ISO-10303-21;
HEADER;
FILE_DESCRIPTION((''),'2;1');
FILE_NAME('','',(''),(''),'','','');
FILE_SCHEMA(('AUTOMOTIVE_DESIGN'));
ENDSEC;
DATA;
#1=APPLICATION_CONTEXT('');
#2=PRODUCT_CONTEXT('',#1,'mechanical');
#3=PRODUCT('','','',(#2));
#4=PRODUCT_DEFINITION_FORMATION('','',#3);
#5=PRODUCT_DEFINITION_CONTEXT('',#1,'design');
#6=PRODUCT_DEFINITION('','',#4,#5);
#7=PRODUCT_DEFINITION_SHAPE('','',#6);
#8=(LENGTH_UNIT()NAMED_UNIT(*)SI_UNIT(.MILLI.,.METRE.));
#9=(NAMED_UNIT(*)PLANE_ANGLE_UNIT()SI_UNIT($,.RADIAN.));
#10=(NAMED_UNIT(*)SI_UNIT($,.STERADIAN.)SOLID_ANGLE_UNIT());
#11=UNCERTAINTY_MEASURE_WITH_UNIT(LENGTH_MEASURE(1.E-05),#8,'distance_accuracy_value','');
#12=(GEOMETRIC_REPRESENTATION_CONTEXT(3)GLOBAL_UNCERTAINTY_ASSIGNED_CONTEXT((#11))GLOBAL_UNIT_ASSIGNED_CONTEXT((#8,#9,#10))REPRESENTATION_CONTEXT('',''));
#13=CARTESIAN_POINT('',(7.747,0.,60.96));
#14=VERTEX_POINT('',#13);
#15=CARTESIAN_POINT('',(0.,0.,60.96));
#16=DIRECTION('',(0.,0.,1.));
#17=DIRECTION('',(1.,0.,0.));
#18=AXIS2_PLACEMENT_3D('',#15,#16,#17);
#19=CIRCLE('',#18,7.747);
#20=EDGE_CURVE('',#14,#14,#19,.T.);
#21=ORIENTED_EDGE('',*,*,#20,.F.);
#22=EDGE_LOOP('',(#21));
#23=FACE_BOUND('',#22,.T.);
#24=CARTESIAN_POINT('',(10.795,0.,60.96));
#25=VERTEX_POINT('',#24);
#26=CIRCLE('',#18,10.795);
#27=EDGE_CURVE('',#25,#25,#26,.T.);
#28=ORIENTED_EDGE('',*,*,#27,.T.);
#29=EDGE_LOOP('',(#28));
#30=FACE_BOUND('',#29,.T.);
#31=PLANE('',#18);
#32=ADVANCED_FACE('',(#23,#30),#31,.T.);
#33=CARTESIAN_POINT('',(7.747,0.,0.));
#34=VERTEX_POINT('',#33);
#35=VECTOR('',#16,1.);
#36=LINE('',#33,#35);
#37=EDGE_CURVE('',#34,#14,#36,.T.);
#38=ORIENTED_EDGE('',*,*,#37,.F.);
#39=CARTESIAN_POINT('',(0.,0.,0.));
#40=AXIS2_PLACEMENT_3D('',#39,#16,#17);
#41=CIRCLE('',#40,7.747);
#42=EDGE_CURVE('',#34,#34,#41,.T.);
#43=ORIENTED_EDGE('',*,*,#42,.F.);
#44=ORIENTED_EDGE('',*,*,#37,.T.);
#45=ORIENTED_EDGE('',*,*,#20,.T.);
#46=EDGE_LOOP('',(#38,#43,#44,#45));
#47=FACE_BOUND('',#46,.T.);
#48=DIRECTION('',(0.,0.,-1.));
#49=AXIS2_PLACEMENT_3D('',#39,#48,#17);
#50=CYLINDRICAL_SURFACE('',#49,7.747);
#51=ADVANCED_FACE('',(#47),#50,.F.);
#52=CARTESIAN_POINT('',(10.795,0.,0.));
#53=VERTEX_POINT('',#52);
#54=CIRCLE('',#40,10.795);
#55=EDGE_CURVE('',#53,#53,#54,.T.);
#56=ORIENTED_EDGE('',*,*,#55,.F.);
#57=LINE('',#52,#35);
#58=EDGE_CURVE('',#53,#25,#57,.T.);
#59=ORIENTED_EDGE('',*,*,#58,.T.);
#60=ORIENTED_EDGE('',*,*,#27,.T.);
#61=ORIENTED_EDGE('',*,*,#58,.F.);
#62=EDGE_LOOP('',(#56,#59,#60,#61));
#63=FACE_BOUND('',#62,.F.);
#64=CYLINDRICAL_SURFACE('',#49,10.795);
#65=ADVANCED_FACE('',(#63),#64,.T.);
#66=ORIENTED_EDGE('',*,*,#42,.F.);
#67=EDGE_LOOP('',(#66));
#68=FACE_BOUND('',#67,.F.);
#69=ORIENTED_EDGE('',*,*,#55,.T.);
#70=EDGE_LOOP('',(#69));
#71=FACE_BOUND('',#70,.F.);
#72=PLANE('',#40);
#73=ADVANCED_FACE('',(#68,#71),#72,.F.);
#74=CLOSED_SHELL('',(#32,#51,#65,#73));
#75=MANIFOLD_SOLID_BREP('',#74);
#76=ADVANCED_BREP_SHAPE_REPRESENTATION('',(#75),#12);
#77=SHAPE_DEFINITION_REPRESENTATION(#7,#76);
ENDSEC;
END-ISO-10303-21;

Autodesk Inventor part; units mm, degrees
ref_plane "YZ Plane" through (0, 0, 0) normal (1, 0, 0) x (0, 1, 0)
ref_plane "XZ Plane" through (0, 0, 0) normal (0, 1, 0) x (-1, 0, 0)
ref_plane "XY Plane" through (0, 0, 0) normal (0, 0, 1) x (1, 0, 0)
sketch "Sketch1" plane through (0, 0, 0) normal (0, 0, 1) x (1, 0, 0)
  circle A0 centre (0, 0) radius 7.747
  circle A1 centre (0, 0) radius 10.795
  dimension "d0" = 21.59
  dimension "d2" = 15.494
extrude "Extrusion1" add sketch "Sketch1" along normal blind 60.96
properties part number "2.4 Pipe" material "PVC-Piping"
